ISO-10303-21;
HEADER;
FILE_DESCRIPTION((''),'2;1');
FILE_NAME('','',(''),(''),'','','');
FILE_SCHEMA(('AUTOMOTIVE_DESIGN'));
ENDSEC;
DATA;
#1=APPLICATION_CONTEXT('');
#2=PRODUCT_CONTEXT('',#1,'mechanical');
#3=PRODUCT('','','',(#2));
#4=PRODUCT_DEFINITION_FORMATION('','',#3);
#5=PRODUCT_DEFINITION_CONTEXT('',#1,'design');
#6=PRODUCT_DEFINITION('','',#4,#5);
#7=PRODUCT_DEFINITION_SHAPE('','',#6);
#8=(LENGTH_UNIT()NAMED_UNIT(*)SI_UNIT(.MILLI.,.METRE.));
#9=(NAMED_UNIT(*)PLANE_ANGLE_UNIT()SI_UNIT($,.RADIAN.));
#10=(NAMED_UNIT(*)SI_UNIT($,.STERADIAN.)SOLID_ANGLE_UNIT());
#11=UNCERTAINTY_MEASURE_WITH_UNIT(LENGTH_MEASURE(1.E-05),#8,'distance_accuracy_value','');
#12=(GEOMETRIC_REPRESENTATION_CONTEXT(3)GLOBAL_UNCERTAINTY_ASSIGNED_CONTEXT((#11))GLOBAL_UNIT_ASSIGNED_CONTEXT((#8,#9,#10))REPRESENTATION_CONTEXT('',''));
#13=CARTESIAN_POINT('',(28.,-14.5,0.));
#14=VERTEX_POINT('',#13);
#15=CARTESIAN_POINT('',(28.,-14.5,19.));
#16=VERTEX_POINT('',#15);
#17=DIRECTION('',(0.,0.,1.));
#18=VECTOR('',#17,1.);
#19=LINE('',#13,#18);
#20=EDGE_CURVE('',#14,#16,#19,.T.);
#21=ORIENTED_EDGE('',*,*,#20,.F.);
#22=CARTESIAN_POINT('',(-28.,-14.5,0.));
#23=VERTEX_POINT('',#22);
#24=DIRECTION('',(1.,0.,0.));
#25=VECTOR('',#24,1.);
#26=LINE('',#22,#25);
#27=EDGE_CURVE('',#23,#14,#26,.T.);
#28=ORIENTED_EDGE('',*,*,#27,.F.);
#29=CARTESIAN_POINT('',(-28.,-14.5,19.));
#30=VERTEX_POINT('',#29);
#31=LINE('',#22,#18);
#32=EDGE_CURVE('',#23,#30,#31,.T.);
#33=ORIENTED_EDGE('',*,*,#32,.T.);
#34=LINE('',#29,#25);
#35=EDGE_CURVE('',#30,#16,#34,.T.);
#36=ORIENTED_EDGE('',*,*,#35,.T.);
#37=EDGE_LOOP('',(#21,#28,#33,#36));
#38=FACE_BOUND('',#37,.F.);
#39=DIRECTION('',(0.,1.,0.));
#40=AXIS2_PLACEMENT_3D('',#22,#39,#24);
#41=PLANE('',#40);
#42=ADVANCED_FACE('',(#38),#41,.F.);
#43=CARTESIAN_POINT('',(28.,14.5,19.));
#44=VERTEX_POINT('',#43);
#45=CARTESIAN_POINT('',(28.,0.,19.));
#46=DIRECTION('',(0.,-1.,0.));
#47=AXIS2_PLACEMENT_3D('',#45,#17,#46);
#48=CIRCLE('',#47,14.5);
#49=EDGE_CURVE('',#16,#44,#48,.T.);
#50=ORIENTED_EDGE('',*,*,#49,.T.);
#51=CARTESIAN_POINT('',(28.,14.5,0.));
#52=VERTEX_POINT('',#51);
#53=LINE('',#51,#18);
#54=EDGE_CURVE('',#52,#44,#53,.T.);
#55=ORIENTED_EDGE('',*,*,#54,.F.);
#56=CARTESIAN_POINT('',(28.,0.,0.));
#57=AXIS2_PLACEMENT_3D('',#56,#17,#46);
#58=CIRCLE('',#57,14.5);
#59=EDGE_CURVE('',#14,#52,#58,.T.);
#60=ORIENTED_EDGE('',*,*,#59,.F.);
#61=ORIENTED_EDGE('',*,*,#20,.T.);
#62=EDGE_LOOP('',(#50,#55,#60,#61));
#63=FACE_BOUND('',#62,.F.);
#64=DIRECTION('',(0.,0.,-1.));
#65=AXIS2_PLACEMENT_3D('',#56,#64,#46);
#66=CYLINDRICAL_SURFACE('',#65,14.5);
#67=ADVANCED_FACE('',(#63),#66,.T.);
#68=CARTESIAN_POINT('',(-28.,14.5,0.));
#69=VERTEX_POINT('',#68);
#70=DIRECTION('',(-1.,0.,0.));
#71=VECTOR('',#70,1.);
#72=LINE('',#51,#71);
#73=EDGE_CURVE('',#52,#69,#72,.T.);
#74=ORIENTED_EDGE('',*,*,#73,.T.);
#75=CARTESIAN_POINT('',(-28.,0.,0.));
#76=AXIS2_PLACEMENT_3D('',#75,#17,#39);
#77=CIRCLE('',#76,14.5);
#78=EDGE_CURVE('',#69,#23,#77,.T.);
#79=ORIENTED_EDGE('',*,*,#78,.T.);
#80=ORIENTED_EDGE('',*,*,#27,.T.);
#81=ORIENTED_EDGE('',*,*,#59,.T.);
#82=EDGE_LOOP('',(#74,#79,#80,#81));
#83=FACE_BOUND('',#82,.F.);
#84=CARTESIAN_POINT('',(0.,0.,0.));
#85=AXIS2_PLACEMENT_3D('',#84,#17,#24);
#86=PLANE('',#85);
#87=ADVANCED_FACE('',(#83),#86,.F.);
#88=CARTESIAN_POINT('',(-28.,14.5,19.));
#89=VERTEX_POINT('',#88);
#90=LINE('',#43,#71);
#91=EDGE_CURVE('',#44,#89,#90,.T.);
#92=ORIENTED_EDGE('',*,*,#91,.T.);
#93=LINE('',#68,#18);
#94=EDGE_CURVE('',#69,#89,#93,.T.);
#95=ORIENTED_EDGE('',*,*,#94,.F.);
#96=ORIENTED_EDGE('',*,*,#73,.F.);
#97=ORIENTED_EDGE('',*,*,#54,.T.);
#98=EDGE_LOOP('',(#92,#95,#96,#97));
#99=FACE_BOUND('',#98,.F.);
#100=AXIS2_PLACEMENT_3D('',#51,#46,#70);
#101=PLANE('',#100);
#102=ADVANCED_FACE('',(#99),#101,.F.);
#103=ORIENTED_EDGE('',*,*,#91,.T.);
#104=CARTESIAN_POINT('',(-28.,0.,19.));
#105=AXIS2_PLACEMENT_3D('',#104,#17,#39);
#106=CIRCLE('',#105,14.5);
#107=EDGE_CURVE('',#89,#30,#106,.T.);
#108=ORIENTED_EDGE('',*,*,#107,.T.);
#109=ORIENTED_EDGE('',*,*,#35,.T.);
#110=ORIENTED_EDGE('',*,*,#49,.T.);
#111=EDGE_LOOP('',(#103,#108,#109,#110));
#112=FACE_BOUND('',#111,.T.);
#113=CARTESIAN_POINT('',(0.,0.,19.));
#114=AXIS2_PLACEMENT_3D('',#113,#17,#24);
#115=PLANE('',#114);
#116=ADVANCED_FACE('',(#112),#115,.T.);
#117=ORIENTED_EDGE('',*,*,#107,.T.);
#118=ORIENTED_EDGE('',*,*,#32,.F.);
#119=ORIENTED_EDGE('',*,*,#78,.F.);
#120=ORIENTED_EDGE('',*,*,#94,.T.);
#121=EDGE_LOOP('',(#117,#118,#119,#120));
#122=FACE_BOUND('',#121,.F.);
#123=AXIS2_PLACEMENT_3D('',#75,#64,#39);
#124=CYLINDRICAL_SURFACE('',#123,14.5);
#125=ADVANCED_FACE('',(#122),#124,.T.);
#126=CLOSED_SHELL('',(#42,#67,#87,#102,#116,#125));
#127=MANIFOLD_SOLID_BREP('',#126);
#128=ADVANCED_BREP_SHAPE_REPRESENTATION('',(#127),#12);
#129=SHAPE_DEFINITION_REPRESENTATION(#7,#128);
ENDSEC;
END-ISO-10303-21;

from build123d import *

# Parameters (mm, degrees)
PAD_DEPTH = 19


with BuildPart() as part:
    # Sketch → Pad (new body)
    with BuildSketch(Plane.XY):
        with BuildLine():
            ThreePointArc((-28, 14.5), (-42.5, 0), (-28, -14.5))
            Line((-28, -14.5), (28, -14.5))
            ThreePointArc((28, -14.5), (42.5, 0), (28, 14.5))
            Line((28, 14.5), (-28, 14.5))
        make_face()
    extrude(amount=PAD_DEPTH)


solid = part.part
